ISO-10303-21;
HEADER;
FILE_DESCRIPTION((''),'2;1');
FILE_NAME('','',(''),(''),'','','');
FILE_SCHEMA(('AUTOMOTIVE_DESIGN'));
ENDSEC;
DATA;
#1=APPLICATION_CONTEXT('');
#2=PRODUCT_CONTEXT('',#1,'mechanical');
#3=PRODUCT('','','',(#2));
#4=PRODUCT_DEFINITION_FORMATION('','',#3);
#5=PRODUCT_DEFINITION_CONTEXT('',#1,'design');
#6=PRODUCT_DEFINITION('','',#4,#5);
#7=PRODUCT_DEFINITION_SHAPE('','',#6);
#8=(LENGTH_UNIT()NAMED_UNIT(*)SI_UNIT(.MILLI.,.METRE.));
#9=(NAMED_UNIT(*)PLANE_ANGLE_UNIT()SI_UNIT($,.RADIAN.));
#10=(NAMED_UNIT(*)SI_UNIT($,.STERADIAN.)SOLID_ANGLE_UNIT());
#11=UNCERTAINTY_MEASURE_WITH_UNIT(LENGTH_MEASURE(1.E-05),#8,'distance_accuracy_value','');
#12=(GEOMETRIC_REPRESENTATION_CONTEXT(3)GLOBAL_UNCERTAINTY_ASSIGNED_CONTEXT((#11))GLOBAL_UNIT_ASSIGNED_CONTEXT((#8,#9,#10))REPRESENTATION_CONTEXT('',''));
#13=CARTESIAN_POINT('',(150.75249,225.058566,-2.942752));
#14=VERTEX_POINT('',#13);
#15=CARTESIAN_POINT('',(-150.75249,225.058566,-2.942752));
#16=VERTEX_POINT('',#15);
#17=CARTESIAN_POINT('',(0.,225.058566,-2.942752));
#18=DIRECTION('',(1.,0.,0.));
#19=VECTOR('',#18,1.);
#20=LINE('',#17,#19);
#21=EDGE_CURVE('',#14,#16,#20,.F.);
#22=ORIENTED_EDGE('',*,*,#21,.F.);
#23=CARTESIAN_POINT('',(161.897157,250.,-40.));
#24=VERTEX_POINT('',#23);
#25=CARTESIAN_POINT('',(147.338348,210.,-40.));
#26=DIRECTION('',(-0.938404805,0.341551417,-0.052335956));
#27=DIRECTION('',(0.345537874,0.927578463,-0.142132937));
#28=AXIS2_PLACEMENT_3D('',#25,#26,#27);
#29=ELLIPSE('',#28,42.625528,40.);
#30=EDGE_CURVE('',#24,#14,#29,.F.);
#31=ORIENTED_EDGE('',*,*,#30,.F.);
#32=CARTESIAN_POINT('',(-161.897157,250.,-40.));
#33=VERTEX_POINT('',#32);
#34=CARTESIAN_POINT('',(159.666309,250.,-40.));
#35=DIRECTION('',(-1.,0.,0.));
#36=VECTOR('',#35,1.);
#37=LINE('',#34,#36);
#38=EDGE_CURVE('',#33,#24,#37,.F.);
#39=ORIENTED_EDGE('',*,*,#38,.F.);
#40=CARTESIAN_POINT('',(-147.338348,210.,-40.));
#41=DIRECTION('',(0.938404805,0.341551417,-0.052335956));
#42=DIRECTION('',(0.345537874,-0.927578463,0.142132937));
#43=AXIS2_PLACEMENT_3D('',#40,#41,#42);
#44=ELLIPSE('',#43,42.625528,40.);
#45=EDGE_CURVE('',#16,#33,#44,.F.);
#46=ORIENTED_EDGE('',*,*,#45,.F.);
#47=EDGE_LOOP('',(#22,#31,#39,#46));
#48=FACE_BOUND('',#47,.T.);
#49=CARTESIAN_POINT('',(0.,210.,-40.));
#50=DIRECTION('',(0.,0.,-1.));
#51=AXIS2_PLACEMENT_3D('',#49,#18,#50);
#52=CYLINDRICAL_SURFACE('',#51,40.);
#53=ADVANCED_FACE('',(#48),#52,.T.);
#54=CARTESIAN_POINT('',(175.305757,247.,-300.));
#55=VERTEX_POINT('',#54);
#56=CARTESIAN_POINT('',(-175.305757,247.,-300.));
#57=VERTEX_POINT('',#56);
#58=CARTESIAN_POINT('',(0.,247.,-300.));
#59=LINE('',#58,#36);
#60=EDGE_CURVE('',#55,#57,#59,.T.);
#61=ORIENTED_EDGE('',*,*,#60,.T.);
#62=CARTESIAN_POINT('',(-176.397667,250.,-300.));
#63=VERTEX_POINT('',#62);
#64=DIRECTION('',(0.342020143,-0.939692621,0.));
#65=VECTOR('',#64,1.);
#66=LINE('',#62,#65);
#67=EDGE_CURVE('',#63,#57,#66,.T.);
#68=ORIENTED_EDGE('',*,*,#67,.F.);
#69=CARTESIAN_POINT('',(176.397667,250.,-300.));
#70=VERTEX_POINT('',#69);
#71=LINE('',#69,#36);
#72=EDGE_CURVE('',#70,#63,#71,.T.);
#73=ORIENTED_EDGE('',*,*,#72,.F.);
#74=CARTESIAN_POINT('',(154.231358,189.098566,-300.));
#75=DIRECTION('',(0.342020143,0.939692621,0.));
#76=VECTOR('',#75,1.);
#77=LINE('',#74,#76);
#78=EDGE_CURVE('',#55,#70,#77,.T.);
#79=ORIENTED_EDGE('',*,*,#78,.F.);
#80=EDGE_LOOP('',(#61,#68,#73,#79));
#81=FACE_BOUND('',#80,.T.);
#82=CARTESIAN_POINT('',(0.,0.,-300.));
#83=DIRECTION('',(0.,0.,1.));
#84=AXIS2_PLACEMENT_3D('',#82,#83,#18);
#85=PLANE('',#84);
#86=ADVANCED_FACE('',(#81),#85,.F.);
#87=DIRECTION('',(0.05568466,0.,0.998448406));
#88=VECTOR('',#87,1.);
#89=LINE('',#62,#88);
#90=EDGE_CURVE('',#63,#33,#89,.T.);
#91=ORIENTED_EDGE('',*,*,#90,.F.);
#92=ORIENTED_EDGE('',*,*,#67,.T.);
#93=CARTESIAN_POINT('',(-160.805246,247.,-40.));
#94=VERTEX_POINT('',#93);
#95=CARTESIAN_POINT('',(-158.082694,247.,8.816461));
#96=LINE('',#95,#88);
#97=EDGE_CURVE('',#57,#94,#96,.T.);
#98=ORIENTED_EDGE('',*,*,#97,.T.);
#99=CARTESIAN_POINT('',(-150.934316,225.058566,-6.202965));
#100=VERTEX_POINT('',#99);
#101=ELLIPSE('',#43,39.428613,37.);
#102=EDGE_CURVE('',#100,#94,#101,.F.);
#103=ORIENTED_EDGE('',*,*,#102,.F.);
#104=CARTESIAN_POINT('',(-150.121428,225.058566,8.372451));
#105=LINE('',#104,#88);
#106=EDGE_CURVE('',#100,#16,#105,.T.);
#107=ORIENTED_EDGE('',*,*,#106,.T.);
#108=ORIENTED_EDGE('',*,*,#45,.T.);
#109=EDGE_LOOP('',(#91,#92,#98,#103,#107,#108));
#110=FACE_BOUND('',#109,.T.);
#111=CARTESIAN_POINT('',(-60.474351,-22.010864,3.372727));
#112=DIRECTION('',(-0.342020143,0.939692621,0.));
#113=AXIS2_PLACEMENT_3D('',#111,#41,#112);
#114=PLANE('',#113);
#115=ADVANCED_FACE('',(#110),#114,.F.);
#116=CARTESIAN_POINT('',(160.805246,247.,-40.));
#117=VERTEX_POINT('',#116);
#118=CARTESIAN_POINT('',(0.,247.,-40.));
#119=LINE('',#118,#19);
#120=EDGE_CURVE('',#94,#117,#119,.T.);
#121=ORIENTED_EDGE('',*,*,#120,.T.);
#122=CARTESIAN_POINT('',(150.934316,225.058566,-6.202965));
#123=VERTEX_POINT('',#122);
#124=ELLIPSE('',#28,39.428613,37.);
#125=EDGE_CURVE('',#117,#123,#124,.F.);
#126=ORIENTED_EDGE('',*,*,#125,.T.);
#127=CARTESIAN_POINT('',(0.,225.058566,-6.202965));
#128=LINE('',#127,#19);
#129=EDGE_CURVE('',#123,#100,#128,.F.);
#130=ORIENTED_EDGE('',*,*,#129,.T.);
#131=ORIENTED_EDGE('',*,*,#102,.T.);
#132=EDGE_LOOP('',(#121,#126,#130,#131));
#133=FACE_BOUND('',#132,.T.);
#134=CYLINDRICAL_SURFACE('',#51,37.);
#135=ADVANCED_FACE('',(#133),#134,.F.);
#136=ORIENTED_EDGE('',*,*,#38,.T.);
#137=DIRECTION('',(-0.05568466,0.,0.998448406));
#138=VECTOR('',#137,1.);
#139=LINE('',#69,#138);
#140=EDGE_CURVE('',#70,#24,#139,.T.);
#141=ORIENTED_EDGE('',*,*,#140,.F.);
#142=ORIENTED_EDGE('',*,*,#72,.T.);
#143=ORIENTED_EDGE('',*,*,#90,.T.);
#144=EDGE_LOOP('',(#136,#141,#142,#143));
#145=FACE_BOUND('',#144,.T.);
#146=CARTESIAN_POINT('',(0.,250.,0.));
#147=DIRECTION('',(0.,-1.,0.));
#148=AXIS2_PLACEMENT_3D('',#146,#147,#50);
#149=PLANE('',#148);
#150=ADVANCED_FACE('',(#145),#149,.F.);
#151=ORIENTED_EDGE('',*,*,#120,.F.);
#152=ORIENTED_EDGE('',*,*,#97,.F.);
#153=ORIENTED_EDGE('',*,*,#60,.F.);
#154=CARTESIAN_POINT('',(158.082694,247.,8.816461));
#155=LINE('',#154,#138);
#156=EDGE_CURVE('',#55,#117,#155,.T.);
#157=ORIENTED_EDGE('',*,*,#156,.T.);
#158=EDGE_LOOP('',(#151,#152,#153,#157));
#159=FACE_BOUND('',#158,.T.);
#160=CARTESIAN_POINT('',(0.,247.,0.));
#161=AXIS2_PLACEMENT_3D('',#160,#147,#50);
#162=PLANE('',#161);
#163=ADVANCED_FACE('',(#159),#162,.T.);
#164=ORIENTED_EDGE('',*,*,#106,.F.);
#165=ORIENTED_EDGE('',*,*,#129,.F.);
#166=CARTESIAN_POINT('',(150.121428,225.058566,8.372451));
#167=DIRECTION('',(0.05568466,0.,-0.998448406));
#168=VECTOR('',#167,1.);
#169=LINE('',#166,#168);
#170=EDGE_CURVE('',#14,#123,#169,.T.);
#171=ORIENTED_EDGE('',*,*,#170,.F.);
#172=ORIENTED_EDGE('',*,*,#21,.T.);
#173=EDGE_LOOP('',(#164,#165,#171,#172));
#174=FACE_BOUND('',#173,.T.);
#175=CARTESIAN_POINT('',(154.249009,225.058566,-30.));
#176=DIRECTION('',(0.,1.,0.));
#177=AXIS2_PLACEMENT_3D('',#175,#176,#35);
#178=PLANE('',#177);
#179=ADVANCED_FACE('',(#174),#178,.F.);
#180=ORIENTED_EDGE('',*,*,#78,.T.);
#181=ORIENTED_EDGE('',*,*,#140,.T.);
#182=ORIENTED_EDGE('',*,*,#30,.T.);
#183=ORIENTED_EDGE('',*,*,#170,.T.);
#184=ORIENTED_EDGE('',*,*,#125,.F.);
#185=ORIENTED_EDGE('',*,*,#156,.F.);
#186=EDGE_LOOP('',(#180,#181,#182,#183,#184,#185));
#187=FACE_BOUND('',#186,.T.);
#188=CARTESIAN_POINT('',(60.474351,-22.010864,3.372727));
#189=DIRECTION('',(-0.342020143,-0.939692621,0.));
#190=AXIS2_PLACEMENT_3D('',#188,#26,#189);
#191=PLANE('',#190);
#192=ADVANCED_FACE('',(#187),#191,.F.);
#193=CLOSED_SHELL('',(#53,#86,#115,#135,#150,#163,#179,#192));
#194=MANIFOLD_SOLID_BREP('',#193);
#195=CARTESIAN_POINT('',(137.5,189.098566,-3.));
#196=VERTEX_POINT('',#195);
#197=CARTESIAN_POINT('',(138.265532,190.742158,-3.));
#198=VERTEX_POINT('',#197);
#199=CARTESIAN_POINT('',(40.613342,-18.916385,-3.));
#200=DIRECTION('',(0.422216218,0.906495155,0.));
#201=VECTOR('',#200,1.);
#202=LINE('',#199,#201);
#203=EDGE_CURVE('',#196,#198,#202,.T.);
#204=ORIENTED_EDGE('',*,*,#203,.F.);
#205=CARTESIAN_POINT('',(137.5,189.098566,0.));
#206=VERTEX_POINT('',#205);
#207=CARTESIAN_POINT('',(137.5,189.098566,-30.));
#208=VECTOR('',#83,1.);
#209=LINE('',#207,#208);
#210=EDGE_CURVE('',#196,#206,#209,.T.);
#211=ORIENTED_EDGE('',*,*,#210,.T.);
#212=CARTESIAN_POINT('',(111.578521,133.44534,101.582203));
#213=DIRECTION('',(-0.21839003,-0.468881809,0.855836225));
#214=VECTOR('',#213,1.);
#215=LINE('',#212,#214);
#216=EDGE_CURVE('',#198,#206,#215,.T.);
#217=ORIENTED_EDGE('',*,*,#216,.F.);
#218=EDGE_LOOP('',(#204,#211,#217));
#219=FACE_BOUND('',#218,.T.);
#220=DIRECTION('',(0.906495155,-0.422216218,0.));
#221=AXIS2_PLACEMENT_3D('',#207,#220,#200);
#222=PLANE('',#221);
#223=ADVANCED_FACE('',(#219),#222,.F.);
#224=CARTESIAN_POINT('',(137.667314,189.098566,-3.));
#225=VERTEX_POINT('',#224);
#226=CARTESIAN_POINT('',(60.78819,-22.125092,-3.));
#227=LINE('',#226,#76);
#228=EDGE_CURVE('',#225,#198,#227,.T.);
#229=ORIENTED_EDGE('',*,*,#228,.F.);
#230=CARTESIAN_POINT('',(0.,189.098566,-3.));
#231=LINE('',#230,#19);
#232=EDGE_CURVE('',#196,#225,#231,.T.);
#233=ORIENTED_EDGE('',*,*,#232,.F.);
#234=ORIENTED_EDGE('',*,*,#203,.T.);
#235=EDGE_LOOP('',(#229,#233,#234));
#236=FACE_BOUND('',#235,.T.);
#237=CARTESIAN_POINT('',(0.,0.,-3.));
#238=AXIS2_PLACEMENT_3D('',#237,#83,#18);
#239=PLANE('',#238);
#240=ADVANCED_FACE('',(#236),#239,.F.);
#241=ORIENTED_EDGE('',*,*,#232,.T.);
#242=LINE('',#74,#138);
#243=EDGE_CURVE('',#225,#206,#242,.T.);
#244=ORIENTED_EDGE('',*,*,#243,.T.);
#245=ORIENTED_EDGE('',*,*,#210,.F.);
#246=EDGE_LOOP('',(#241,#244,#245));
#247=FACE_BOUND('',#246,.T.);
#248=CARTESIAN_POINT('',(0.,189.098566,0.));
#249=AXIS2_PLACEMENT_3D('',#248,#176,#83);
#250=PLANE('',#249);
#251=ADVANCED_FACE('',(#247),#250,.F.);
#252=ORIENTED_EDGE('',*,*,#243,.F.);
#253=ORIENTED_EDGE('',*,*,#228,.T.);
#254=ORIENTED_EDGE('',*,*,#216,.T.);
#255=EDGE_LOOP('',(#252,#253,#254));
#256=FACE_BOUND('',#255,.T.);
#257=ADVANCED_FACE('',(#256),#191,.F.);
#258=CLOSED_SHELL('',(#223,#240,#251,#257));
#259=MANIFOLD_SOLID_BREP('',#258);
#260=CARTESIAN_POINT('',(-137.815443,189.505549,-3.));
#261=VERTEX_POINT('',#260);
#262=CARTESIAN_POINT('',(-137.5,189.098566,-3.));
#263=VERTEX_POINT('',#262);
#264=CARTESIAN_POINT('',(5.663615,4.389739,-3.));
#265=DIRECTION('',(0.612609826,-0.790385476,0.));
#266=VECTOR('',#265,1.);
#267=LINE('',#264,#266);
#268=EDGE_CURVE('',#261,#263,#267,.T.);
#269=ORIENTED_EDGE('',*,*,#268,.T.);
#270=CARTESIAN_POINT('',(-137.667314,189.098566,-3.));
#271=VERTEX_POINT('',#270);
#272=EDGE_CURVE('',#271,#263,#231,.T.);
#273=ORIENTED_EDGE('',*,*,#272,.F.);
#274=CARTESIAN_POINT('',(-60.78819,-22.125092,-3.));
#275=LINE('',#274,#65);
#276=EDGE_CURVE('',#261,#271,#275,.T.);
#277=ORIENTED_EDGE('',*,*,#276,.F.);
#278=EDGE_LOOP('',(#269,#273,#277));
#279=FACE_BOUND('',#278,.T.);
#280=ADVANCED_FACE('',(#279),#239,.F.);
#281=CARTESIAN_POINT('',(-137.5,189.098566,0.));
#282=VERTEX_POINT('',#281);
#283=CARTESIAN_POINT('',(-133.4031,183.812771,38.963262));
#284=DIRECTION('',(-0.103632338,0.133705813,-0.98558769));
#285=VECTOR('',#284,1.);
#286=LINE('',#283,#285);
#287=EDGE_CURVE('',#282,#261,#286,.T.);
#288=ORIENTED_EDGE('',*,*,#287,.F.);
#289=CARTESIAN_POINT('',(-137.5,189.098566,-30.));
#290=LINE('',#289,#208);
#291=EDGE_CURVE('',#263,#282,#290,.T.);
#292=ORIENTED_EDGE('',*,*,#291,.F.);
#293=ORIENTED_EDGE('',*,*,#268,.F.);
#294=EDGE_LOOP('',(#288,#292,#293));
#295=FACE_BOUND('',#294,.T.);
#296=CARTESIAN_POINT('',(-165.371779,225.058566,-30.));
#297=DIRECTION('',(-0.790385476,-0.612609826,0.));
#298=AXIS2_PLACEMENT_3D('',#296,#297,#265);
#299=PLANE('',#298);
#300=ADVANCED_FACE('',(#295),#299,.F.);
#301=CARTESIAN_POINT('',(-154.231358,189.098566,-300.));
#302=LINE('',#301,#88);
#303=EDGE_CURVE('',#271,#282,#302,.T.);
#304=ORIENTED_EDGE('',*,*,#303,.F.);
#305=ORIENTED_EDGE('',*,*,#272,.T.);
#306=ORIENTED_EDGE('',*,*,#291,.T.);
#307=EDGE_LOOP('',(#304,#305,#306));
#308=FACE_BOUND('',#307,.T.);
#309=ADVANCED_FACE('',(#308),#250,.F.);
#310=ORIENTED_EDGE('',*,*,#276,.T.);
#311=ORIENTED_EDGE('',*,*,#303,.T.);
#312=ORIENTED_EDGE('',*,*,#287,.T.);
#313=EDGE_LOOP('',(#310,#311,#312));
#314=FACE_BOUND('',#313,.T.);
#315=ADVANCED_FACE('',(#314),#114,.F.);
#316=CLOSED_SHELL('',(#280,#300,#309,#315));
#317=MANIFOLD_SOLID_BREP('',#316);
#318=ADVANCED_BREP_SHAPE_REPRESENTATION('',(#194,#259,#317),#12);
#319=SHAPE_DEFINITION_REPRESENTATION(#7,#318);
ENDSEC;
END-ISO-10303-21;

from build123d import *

# Parameters (mm, degrees)
FILLET1_R          = 40
SHELL2_T           = -3
CUT_EXTRUDE1_DEPTH = 30


with BuildPart() as part:
    # Sketch2 → Loft1 section 0
    with BuildSketch(Plane.XY.offset(-300)):
        Polygon((-154.231358145, 189.098565855), (154.231358145, 189.098565855), (176.397667398, 250), (-176.397667398, 250), align=None)
    # Sketch1 → Loft1 section 1
    with BuildSketch(Plane.XY):
        Polygon((-159.666309253, 250), (-137.5, 189.098565855), (137.5, 189.098565855), (159.666309253, 250), align=None)
    loft()

    # Fillet1
    fillet1_edges = [part.edges().sort_by_distance(p)[0] for p in [
        (0, 250, 0),
    ]]
    fillet(fillet1_edges, radius=FILLET1_R)

    # Shell2
    shell2_openings = [part.faces().sort_by_distance(p)[0] for p in [
        (0, 219.549282927, -300),
        (-159.448338541, 221.819713171, -180),
        (-72.932839536, 189.098565855, -225),
        (156.851508139, 213.459139513, -188),
    ]]
    offset(amount=SHELL2_T, openings=shell2_openings, kind=Kind.INTERSECTION)

    # Sketch4 → Cut-Extrude1 (cut)
    with BuildSketch(Plane.XY):
        Polygon((-137.5, 189.098565855), (137.5, 189.098565855), (154.249008644, 225.058565855), (-165.371779032, 225.058565855), align=None)
    extrude(amount=-CUT_EXTRUDE1_DEPTH, mode=Mode.SUBTRACT)


solid = part.part
